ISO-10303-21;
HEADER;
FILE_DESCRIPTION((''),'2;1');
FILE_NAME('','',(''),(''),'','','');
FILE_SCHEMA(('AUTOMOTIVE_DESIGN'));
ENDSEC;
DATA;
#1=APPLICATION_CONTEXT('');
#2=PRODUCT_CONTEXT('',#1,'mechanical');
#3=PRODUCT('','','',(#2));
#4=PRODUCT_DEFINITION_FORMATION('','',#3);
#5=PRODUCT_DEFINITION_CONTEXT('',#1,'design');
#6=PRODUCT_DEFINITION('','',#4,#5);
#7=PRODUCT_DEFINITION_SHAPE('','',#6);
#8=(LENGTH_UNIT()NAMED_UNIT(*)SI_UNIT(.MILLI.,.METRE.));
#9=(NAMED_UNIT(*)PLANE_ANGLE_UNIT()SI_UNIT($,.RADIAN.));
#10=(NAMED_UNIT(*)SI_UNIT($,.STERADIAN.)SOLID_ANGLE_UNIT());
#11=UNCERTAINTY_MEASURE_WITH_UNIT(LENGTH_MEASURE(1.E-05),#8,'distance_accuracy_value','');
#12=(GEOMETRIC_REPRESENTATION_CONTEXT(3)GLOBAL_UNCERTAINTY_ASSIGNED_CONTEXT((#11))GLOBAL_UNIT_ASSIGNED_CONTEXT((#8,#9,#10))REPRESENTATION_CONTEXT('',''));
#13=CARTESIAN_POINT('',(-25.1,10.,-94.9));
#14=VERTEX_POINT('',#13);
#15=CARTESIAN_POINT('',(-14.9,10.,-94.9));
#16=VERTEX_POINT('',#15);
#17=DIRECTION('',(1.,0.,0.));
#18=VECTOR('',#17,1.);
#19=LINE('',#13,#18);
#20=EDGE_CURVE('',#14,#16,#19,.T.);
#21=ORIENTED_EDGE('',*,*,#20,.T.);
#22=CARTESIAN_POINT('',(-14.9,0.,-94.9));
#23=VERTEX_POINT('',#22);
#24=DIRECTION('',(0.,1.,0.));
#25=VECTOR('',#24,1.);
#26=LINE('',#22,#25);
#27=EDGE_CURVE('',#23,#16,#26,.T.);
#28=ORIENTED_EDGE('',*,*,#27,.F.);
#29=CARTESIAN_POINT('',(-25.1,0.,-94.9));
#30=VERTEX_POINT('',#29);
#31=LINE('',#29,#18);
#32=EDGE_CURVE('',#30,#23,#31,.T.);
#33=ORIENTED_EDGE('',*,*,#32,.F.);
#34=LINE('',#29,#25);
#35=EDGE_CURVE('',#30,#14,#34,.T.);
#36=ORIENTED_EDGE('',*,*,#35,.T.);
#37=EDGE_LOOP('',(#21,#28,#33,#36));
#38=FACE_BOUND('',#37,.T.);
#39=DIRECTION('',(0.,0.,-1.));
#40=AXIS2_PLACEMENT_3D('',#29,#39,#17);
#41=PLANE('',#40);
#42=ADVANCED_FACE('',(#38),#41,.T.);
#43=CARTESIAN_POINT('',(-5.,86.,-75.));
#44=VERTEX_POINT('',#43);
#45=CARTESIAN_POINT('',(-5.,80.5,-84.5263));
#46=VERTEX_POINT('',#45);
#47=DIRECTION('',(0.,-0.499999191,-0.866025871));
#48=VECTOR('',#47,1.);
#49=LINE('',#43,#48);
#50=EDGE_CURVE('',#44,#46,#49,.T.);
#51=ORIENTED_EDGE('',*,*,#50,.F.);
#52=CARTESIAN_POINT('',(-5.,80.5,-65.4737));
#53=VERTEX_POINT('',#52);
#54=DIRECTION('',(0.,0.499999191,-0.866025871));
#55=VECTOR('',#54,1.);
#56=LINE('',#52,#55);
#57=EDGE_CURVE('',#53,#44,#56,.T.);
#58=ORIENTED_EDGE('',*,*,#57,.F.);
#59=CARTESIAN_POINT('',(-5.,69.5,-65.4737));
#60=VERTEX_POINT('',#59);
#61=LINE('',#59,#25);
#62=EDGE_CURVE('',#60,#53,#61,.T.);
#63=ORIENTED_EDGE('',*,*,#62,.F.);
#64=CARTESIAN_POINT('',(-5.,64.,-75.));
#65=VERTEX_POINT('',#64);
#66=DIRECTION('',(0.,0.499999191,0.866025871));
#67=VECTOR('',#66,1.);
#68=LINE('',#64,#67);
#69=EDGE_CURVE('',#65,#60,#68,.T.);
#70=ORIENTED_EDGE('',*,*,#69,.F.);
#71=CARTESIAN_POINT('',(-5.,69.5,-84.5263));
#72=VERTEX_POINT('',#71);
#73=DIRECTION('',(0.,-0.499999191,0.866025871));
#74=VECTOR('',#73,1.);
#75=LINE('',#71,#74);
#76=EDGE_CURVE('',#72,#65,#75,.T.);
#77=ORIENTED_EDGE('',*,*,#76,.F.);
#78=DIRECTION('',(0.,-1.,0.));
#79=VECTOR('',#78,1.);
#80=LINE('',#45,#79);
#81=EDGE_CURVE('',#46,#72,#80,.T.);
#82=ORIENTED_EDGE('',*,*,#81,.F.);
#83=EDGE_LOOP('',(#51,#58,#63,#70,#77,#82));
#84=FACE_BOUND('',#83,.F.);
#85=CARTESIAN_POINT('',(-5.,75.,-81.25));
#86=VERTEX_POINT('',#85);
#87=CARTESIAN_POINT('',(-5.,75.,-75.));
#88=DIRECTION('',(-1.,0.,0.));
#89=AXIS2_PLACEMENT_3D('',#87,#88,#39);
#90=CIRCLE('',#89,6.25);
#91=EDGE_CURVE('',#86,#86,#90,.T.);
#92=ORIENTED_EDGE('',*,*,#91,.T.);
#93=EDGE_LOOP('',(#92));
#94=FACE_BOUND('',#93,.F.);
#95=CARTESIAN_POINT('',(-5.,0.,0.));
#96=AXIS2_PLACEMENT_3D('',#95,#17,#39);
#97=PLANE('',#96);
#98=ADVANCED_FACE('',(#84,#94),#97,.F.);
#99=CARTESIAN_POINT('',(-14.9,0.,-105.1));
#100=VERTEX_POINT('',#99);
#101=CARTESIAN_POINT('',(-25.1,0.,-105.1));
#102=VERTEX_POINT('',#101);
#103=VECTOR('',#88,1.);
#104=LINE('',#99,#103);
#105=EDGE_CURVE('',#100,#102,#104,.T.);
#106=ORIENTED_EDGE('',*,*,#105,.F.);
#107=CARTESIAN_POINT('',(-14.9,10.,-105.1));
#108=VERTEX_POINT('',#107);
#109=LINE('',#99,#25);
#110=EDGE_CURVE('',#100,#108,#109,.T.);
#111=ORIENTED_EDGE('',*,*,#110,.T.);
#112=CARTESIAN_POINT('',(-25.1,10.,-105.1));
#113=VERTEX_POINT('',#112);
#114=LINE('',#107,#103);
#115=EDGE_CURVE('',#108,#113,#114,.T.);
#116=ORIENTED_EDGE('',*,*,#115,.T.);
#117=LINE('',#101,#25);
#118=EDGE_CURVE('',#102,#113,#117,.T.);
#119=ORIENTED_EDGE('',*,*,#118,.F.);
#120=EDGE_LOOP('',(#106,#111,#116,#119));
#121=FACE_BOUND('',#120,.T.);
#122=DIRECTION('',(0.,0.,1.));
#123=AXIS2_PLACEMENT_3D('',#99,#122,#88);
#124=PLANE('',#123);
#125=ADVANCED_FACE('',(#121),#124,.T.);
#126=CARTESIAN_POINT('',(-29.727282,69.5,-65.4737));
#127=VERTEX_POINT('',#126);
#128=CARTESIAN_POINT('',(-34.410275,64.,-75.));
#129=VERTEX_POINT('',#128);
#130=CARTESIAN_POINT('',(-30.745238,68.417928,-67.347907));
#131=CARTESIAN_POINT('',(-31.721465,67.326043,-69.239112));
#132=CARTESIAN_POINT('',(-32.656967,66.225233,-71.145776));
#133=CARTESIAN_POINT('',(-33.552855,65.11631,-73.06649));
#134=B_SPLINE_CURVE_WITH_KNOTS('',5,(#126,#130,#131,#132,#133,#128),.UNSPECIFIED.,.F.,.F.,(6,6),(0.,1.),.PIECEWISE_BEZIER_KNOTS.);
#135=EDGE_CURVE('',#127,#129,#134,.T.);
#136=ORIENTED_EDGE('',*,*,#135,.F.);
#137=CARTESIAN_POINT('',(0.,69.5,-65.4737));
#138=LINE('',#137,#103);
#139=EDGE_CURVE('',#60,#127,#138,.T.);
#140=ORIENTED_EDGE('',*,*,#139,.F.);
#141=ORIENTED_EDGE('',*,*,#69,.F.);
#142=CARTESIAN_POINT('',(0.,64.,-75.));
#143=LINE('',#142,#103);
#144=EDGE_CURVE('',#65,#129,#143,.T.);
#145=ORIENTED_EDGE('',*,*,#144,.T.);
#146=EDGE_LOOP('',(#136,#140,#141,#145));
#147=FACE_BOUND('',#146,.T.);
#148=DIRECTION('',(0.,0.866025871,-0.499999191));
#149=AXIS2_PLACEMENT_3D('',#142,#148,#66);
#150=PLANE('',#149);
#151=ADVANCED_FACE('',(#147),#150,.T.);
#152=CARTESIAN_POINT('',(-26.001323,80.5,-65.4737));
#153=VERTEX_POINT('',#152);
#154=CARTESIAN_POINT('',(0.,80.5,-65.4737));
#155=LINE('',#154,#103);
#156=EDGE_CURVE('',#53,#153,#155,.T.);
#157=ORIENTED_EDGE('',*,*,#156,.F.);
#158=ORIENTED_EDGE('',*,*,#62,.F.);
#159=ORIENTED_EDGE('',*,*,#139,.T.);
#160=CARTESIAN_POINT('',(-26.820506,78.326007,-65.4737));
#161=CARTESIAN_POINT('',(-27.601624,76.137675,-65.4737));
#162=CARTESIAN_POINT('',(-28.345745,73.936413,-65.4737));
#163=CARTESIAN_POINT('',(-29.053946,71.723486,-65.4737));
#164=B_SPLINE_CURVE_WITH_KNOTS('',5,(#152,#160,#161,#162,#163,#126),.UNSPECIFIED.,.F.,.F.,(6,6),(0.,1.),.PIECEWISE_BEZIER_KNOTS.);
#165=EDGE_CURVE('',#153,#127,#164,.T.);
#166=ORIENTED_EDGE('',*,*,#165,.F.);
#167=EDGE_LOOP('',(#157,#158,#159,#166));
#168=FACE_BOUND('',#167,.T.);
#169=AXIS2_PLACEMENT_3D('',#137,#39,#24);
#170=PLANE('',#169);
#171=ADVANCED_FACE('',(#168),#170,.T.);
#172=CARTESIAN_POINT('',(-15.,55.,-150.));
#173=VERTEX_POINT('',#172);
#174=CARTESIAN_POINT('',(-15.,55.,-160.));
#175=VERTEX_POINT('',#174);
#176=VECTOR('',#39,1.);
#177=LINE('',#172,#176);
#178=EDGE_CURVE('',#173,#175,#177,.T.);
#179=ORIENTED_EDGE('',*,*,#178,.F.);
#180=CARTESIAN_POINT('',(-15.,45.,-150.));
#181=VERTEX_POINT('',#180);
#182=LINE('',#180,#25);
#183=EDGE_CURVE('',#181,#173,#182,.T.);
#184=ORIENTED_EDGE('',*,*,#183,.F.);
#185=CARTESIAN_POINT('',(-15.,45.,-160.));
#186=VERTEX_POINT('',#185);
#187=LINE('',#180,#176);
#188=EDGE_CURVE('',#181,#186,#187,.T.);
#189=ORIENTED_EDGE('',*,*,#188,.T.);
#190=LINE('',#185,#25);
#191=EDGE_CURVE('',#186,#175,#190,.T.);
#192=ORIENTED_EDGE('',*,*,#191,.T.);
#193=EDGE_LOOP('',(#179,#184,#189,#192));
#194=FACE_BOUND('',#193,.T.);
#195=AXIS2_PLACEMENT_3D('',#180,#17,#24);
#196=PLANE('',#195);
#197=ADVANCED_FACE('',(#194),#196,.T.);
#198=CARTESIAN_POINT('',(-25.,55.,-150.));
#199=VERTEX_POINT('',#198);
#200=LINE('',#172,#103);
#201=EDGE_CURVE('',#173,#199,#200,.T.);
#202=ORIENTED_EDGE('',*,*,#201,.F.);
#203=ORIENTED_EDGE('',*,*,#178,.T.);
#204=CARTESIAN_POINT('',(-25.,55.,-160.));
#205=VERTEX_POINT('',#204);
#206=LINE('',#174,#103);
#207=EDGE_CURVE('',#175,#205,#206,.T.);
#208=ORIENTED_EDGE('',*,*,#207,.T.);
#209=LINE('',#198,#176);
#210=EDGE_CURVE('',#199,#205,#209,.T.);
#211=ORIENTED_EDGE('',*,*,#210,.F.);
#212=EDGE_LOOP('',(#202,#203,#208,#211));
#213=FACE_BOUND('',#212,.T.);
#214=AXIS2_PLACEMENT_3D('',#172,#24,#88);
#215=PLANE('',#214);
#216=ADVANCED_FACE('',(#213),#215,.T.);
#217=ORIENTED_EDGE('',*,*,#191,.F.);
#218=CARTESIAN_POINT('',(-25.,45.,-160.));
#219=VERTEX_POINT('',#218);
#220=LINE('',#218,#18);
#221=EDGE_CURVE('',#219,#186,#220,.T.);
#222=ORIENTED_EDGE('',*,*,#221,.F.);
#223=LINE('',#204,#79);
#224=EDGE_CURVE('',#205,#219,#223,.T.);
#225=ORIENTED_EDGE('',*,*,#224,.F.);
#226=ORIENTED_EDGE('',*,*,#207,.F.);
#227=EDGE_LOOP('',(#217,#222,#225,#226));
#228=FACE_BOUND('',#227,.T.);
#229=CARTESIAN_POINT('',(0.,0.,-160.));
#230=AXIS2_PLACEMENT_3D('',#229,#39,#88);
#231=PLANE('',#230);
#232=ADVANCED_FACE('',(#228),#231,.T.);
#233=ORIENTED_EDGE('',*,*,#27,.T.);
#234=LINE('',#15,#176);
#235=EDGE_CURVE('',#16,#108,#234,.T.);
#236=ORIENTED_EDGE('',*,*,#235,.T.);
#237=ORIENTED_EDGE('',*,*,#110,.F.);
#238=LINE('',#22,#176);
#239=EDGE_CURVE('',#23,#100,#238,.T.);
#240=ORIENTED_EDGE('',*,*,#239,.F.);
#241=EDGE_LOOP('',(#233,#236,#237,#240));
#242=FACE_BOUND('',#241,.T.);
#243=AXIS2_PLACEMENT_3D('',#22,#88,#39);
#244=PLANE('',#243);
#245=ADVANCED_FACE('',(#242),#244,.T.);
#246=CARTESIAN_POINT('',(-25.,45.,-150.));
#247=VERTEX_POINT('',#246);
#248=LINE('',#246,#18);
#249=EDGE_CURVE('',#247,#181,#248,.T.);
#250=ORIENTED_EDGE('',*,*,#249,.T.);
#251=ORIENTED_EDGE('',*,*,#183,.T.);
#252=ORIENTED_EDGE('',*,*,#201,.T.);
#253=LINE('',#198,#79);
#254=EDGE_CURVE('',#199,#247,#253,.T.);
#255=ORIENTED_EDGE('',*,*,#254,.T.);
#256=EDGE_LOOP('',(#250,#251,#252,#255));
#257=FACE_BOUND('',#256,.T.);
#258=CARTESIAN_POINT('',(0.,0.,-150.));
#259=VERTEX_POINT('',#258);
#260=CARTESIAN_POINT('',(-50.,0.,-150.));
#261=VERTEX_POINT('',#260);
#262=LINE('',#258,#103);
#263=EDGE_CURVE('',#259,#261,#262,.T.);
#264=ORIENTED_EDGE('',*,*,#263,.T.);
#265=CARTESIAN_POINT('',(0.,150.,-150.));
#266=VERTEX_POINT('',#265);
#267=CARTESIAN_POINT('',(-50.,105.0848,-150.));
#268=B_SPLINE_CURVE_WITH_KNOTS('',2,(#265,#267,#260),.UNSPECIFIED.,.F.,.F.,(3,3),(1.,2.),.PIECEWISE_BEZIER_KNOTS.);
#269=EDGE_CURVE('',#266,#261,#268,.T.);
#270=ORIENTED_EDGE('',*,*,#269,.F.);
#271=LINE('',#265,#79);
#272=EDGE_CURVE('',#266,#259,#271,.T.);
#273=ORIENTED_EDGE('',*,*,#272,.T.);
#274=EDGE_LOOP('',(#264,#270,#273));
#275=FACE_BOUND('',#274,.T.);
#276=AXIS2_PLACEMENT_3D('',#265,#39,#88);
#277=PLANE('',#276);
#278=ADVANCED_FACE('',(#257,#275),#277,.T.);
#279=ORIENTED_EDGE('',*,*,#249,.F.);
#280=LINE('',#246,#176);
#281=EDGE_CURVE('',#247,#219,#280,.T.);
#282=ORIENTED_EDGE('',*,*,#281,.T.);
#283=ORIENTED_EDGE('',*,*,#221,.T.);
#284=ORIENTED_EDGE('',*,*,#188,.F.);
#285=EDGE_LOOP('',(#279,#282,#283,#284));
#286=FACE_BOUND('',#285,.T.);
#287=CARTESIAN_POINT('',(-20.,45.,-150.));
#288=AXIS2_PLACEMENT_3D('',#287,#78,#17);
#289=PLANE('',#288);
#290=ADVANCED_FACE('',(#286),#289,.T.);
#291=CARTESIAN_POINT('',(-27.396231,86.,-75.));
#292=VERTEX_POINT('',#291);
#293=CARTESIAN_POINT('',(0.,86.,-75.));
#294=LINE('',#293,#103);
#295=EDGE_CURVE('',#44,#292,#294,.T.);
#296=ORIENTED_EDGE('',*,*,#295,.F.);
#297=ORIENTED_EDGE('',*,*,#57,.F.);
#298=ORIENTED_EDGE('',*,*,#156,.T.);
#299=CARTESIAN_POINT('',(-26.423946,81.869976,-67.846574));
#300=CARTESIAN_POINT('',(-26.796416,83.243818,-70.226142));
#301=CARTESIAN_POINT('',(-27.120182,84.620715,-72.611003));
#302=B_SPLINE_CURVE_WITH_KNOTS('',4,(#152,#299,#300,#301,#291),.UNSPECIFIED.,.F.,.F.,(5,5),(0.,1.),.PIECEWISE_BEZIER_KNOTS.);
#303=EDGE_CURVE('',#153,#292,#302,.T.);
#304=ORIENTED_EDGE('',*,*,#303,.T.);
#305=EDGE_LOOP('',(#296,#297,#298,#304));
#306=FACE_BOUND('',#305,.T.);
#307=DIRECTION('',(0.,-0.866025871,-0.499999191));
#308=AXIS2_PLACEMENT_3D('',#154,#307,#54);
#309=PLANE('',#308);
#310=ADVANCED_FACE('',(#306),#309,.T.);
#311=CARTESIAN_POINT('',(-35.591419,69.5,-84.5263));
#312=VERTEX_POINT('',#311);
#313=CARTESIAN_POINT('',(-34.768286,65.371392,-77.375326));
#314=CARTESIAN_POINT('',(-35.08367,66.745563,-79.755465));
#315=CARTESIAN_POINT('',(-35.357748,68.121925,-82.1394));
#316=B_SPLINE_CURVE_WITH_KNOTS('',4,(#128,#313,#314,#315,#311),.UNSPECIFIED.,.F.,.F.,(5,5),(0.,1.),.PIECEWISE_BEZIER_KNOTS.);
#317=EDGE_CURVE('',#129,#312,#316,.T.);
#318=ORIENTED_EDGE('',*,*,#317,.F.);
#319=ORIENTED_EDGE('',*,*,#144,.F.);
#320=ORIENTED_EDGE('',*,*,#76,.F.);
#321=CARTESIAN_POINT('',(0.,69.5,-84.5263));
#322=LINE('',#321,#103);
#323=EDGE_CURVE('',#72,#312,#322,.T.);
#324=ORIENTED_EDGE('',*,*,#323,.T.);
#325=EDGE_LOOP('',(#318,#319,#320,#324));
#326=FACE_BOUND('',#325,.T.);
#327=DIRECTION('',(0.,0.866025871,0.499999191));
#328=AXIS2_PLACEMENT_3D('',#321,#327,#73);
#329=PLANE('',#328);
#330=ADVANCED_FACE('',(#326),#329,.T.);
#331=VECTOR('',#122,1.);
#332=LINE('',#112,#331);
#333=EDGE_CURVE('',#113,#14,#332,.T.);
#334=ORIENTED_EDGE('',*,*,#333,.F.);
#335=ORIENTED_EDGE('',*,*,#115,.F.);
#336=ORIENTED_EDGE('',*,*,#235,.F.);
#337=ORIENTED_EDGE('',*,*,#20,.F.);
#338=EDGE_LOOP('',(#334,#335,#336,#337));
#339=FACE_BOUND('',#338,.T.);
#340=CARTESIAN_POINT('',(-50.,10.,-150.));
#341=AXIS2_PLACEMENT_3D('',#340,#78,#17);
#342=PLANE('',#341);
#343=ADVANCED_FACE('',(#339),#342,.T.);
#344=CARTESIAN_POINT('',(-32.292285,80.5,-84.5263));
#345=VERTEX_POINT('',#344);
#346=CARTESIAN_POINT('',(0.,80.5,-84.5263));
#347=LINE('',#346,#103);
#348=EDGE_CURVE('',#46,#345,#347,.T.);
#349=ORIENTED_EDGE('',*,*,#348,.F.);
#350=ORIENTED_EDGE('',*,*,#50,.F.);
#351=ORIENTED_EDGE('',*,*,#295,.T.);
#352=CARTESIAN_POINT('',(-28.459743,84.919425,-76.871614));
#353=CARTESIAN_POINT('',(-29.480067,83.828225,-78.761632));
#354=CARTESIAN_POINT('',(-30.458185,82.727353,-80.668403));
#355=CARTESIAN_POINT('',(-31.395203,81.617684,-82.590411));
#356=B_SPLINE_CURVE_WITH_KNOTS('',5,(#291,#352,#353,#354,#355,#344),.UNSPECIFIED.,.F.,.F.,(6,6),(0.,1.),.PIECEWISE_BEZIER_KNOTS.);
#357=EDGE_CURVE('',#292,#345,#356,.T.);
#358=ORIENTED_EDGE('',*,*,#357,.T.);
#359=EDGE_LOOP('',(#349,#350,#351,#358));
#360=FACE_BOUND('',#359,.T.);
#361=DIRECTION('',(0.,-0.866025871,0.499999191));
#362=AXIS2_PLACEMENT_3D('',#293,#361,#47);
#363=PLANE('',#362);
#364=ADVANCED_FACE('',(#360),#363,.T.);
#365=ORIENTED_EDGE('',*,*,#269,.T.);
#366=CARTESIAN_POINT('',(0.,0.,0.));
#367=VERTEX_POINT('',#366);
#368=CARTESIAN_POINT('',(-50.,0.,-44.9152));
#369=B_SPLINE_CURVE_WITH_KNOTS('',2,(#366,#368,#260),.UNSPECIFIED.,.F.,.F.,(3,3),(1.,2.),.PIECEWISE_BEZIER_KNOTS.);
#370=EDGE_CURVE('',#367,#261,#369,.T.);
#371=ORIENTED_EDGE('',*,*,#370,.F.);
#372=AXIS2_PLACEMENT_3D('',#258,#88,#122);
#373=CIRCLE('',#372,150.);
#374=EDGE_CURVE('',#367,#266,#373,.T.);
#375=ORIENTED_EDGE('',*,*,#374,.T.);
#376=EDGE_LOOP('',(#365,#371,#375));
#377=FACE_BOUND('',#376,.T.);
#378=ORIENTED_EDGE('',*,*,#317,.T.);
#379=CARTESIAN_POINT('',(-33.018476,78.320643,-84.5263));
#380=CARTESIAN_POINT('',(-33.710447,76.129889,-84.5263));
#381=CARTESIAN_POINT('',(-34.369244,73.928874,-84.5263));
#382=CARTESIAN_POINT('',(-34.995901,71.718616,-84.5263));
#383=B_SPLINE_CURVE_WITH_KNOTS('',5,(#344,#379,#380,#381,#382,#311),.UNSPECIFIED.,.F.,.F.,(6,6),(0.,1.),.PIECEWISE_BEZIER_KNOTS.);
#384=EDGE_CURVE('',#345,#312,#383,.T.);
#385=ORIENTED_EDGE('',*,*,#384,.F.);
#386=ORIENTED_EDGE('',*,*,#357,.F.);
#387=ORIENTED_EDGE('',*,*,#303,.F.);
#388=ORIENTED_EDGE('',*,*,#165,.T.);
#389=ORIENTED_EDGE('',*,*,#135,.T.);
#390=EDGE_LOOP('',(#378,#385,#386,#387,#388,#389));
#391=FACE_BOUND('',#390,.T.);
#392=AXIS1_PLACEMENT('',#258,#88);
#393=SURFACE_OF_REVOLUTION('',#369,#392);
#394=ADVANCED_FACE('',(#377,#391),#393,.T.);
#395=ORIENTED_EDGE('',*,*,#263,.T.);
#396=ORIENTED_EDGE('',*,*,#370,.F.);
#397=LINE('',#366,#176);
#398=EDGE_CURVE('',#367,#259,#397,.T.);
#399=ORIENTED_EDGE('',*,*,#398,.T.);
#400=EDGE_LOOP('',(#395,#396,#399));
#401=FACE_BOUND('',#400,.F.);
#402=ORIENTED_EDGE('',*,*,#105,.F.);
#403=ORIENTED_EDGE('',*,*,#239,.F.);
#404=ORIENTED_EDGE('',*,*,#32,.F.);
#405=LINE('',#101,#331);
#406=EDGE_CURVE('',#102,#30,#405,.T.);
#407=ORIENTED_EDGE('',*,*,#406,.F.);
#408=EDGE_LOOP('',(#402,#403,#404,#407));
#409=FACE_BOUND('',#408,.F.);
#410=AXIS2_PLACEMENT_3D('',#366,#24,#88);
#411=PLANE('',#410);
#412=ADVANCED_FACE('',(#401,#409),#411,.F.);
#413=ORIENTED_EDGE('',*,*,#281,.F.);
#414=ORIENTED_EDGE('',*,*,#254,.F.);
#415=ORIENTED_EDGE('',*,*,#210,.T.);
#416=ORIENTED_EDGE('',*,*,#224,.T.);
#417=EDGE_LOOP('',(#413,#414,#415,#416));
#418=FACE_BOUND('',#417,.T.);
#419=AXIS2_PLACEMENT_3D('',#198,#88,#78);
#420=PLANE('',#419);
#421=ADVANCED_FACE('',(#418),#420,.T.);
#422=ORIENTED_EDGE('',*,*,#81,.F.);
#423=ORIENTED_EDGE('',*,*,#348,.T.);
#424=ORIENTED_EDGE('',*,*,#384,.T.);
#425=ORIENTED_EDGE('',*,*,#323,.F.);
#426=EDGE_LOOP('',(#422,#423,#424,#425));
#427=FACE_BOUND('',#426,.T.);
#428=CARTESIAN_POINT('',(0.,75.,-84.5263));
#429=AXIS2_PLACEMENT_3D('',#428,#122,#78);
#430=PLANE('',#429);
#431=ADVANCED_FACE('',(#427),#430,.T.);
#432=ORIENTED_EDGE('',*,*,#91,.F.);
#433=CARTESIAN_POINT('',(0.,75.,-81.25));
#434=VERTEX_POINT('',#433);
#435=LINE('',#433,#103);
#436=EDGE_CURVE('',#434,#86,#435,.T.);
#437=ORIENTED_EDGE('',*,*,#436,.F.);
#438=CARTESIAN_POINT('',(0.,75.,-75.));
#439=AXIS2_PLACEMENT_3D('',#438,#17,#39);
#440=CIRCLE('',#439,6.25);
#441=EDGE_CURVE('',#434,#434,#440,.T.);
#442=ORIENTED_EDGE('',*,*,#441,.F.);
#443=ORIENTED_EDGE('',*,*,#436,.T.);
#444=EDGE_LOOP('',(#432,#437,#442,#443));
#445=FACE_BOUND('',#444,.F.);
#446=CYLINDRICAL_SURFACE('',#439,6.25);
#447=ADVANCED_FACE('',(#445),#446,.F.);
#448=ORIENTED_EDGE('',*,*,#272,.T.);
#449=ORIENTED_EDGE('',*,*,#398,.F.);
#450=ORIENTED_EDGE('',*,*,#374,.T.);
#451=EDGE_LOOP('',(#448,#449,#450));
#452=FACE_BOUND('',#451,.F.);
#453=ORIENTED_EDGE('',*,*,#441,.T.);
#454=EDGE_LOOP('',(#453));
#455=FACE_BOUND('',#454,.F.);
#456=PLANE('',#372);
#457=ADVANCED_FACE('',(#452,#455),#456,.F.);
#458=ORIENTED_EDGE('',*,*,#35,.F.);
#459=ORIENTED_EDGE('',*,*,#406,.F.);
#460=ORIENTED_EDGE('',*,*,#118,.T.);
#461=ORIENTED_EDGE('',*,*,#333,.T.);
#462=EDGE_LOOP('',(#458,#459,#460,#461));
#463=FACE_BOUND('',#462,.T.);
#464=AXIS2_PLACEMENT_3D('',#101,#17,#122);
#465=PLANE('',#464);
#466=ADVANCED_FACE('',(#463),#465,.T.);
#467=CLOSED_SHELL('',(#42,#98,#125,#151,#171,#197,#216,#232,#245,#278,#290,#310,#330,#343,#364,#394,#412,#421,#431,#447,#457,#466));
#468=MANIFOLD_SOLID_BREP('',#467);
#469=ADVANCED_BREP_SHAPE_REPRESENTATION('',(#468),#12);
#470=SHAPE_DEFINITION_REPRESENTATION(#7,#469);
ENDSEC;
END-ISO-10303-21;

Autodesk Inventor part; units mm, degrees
ref_plane "YZ Plane" through (0, 0, 0) normal (1, 0, 0) x (0, 1, 0)
ref_plane "XZ Plane" through (0, 0, 0) normal (0, 1, 0) x (-1, 0, 0)
ref_plane "XY Plane" through (0, 0, 0) normal (0, 0, 1) x (1, 0, 0)
sketch "Sketch1" plane through (0, 0, 0) normal (0, 1, 0) x (-1, 0, 0)
  line L0 (0, 0) -> (0, -150)
  line L1 (0, -150) -> (50, -150)
  line L2 (0, 0) -> (50, -44.9152) construction
  line L3 (50, -44.9152) -> (50, -150) construction
  spline S0 degree 2 poles (0, 0) (50, -44.9152) (50, -150) knots 1 1 1 2 2 2
  dimension "d0" = 150
  dimension "d2" = 50
revolve "Revolution1" add sketch "Sketch1" angle 90 about axis through (0, 0, -150) along (-1, 0, 0)
sketch "Sketch2" plane through (0, 0, -150) normal (0, 0, -1) x (-1, 0, 0)
  line L0 (0, 150) -> (0, 0) projected
  line L1 (0, 0) -> (50, 0) projected
  line L2 (0, 0) -> (20, 0)
  line L3 (20, 0) -> (20, 50)
  line L4 (15, 55) -> (25, 55)
  line L5 (25, 55) -> (25, 45)
  line L6 (25, 45) -> (15, 45)
  line L7 (15, 45) -> (15, 55)
  line L8 (15, 55) -> (25, 45) construction
  line L9 (25, 55) -> (15, 45) construction
  dimension "d9" = 20
  dimension "d10" = 50
  dimension "d11" = 10
  dimension "d12" = 10
extrude "Extrusion1" add sketch "Sketch2" along normal blind 10
sketch "Sketch3" plane through (-50, 0, -150) normal (0, -1, 0) x (1, 0, 0)
  line L0 (50, 0) -> (30, 0)
  line L1 (50, 0) -> (0, 0) projected
  line L2 (30, 0) -> (30, 50)
  line L3 (35.1, 44.9) -> (24.9, 44.9)
  line L4 (24.9, 44.9) -> (24.9, 55.1)
  line L5 (24.9, 55.1) -> (35.1, 55.1)
  line L6 (35.1, 55.1) -> (35.1, 44.9)
  line L7 (35.1, 44.9) -> (24.9, 55.1) construction
  line L8 (24.9, 44.9) -> (35.1, 55.1) construction
  point P0 (50, 150)
  dimension "d19" = 20
  dimension "d20" = 50
  dimension "d21" = 10.2
  dimension "d22" = 10.2
extrude "Extrusion2" cut sketch "Sketch3" against normal blind 10
sketch "Sketch4" plane through (0, 0, 0) normal (1, 0, 0) x (0, 0, -1)
  line L0 (0, 0) -> (150, 0) projected
  line L1 (150, 0) -> (150, 75)
  line L2 (150, 150) -> (150, 0) projected
  line L3 (150, 75) -> (75, 75)
  circle A0 centre (75, 75) radius 6.25
  line L4 (75, 75) -> (75, 64)
  line L5 (75, 75) -> (84.5263, 69.5)
  line L6 (75, 75) -> (84.5263, 80.5)
  line L7 (75, 75) -> (75, 86)
  line L8 (75, 75) -> (65.4737, 80.5)
  line L9 (75, 75) -> (65.4737, 69.5)
  line L10 (75, 64) -> (65.4737, 69.5)
  line L11 (65.4737, 69.5) -> (65.4737, 80.5)
  line L12 (65.4737, 80.5) -> (75, 86)
  line L13 (75, 86) -> (84.5263, 80.5)
  line L14 (84.5263, 80.5) -> (84.5263, 69.5)
  line L15 (84.5263, 69.5) -> (75, 64)
  dimension "d25" = 75
  dimension "d26" = 75
  dimension "d27" = 12.5
  dimension "d33" = 11
  dimension "d36" = 360
extrude "Extrusion5" cut sketch "Sketch4" against normal blind 59.85
extrude "Extrusion6" add sketch "Sketch4" against normal blind 5 contours A0 L6 L14 L3 | L3 L14 L5 A0 | A0 L7 L13 L6 | L5 L15 L4 A0 | L4 L10 L9 A0 | A0 L8 L12 L7 | A0 L9 L11 L8
properties part number "3DPrintShapeCorner"
